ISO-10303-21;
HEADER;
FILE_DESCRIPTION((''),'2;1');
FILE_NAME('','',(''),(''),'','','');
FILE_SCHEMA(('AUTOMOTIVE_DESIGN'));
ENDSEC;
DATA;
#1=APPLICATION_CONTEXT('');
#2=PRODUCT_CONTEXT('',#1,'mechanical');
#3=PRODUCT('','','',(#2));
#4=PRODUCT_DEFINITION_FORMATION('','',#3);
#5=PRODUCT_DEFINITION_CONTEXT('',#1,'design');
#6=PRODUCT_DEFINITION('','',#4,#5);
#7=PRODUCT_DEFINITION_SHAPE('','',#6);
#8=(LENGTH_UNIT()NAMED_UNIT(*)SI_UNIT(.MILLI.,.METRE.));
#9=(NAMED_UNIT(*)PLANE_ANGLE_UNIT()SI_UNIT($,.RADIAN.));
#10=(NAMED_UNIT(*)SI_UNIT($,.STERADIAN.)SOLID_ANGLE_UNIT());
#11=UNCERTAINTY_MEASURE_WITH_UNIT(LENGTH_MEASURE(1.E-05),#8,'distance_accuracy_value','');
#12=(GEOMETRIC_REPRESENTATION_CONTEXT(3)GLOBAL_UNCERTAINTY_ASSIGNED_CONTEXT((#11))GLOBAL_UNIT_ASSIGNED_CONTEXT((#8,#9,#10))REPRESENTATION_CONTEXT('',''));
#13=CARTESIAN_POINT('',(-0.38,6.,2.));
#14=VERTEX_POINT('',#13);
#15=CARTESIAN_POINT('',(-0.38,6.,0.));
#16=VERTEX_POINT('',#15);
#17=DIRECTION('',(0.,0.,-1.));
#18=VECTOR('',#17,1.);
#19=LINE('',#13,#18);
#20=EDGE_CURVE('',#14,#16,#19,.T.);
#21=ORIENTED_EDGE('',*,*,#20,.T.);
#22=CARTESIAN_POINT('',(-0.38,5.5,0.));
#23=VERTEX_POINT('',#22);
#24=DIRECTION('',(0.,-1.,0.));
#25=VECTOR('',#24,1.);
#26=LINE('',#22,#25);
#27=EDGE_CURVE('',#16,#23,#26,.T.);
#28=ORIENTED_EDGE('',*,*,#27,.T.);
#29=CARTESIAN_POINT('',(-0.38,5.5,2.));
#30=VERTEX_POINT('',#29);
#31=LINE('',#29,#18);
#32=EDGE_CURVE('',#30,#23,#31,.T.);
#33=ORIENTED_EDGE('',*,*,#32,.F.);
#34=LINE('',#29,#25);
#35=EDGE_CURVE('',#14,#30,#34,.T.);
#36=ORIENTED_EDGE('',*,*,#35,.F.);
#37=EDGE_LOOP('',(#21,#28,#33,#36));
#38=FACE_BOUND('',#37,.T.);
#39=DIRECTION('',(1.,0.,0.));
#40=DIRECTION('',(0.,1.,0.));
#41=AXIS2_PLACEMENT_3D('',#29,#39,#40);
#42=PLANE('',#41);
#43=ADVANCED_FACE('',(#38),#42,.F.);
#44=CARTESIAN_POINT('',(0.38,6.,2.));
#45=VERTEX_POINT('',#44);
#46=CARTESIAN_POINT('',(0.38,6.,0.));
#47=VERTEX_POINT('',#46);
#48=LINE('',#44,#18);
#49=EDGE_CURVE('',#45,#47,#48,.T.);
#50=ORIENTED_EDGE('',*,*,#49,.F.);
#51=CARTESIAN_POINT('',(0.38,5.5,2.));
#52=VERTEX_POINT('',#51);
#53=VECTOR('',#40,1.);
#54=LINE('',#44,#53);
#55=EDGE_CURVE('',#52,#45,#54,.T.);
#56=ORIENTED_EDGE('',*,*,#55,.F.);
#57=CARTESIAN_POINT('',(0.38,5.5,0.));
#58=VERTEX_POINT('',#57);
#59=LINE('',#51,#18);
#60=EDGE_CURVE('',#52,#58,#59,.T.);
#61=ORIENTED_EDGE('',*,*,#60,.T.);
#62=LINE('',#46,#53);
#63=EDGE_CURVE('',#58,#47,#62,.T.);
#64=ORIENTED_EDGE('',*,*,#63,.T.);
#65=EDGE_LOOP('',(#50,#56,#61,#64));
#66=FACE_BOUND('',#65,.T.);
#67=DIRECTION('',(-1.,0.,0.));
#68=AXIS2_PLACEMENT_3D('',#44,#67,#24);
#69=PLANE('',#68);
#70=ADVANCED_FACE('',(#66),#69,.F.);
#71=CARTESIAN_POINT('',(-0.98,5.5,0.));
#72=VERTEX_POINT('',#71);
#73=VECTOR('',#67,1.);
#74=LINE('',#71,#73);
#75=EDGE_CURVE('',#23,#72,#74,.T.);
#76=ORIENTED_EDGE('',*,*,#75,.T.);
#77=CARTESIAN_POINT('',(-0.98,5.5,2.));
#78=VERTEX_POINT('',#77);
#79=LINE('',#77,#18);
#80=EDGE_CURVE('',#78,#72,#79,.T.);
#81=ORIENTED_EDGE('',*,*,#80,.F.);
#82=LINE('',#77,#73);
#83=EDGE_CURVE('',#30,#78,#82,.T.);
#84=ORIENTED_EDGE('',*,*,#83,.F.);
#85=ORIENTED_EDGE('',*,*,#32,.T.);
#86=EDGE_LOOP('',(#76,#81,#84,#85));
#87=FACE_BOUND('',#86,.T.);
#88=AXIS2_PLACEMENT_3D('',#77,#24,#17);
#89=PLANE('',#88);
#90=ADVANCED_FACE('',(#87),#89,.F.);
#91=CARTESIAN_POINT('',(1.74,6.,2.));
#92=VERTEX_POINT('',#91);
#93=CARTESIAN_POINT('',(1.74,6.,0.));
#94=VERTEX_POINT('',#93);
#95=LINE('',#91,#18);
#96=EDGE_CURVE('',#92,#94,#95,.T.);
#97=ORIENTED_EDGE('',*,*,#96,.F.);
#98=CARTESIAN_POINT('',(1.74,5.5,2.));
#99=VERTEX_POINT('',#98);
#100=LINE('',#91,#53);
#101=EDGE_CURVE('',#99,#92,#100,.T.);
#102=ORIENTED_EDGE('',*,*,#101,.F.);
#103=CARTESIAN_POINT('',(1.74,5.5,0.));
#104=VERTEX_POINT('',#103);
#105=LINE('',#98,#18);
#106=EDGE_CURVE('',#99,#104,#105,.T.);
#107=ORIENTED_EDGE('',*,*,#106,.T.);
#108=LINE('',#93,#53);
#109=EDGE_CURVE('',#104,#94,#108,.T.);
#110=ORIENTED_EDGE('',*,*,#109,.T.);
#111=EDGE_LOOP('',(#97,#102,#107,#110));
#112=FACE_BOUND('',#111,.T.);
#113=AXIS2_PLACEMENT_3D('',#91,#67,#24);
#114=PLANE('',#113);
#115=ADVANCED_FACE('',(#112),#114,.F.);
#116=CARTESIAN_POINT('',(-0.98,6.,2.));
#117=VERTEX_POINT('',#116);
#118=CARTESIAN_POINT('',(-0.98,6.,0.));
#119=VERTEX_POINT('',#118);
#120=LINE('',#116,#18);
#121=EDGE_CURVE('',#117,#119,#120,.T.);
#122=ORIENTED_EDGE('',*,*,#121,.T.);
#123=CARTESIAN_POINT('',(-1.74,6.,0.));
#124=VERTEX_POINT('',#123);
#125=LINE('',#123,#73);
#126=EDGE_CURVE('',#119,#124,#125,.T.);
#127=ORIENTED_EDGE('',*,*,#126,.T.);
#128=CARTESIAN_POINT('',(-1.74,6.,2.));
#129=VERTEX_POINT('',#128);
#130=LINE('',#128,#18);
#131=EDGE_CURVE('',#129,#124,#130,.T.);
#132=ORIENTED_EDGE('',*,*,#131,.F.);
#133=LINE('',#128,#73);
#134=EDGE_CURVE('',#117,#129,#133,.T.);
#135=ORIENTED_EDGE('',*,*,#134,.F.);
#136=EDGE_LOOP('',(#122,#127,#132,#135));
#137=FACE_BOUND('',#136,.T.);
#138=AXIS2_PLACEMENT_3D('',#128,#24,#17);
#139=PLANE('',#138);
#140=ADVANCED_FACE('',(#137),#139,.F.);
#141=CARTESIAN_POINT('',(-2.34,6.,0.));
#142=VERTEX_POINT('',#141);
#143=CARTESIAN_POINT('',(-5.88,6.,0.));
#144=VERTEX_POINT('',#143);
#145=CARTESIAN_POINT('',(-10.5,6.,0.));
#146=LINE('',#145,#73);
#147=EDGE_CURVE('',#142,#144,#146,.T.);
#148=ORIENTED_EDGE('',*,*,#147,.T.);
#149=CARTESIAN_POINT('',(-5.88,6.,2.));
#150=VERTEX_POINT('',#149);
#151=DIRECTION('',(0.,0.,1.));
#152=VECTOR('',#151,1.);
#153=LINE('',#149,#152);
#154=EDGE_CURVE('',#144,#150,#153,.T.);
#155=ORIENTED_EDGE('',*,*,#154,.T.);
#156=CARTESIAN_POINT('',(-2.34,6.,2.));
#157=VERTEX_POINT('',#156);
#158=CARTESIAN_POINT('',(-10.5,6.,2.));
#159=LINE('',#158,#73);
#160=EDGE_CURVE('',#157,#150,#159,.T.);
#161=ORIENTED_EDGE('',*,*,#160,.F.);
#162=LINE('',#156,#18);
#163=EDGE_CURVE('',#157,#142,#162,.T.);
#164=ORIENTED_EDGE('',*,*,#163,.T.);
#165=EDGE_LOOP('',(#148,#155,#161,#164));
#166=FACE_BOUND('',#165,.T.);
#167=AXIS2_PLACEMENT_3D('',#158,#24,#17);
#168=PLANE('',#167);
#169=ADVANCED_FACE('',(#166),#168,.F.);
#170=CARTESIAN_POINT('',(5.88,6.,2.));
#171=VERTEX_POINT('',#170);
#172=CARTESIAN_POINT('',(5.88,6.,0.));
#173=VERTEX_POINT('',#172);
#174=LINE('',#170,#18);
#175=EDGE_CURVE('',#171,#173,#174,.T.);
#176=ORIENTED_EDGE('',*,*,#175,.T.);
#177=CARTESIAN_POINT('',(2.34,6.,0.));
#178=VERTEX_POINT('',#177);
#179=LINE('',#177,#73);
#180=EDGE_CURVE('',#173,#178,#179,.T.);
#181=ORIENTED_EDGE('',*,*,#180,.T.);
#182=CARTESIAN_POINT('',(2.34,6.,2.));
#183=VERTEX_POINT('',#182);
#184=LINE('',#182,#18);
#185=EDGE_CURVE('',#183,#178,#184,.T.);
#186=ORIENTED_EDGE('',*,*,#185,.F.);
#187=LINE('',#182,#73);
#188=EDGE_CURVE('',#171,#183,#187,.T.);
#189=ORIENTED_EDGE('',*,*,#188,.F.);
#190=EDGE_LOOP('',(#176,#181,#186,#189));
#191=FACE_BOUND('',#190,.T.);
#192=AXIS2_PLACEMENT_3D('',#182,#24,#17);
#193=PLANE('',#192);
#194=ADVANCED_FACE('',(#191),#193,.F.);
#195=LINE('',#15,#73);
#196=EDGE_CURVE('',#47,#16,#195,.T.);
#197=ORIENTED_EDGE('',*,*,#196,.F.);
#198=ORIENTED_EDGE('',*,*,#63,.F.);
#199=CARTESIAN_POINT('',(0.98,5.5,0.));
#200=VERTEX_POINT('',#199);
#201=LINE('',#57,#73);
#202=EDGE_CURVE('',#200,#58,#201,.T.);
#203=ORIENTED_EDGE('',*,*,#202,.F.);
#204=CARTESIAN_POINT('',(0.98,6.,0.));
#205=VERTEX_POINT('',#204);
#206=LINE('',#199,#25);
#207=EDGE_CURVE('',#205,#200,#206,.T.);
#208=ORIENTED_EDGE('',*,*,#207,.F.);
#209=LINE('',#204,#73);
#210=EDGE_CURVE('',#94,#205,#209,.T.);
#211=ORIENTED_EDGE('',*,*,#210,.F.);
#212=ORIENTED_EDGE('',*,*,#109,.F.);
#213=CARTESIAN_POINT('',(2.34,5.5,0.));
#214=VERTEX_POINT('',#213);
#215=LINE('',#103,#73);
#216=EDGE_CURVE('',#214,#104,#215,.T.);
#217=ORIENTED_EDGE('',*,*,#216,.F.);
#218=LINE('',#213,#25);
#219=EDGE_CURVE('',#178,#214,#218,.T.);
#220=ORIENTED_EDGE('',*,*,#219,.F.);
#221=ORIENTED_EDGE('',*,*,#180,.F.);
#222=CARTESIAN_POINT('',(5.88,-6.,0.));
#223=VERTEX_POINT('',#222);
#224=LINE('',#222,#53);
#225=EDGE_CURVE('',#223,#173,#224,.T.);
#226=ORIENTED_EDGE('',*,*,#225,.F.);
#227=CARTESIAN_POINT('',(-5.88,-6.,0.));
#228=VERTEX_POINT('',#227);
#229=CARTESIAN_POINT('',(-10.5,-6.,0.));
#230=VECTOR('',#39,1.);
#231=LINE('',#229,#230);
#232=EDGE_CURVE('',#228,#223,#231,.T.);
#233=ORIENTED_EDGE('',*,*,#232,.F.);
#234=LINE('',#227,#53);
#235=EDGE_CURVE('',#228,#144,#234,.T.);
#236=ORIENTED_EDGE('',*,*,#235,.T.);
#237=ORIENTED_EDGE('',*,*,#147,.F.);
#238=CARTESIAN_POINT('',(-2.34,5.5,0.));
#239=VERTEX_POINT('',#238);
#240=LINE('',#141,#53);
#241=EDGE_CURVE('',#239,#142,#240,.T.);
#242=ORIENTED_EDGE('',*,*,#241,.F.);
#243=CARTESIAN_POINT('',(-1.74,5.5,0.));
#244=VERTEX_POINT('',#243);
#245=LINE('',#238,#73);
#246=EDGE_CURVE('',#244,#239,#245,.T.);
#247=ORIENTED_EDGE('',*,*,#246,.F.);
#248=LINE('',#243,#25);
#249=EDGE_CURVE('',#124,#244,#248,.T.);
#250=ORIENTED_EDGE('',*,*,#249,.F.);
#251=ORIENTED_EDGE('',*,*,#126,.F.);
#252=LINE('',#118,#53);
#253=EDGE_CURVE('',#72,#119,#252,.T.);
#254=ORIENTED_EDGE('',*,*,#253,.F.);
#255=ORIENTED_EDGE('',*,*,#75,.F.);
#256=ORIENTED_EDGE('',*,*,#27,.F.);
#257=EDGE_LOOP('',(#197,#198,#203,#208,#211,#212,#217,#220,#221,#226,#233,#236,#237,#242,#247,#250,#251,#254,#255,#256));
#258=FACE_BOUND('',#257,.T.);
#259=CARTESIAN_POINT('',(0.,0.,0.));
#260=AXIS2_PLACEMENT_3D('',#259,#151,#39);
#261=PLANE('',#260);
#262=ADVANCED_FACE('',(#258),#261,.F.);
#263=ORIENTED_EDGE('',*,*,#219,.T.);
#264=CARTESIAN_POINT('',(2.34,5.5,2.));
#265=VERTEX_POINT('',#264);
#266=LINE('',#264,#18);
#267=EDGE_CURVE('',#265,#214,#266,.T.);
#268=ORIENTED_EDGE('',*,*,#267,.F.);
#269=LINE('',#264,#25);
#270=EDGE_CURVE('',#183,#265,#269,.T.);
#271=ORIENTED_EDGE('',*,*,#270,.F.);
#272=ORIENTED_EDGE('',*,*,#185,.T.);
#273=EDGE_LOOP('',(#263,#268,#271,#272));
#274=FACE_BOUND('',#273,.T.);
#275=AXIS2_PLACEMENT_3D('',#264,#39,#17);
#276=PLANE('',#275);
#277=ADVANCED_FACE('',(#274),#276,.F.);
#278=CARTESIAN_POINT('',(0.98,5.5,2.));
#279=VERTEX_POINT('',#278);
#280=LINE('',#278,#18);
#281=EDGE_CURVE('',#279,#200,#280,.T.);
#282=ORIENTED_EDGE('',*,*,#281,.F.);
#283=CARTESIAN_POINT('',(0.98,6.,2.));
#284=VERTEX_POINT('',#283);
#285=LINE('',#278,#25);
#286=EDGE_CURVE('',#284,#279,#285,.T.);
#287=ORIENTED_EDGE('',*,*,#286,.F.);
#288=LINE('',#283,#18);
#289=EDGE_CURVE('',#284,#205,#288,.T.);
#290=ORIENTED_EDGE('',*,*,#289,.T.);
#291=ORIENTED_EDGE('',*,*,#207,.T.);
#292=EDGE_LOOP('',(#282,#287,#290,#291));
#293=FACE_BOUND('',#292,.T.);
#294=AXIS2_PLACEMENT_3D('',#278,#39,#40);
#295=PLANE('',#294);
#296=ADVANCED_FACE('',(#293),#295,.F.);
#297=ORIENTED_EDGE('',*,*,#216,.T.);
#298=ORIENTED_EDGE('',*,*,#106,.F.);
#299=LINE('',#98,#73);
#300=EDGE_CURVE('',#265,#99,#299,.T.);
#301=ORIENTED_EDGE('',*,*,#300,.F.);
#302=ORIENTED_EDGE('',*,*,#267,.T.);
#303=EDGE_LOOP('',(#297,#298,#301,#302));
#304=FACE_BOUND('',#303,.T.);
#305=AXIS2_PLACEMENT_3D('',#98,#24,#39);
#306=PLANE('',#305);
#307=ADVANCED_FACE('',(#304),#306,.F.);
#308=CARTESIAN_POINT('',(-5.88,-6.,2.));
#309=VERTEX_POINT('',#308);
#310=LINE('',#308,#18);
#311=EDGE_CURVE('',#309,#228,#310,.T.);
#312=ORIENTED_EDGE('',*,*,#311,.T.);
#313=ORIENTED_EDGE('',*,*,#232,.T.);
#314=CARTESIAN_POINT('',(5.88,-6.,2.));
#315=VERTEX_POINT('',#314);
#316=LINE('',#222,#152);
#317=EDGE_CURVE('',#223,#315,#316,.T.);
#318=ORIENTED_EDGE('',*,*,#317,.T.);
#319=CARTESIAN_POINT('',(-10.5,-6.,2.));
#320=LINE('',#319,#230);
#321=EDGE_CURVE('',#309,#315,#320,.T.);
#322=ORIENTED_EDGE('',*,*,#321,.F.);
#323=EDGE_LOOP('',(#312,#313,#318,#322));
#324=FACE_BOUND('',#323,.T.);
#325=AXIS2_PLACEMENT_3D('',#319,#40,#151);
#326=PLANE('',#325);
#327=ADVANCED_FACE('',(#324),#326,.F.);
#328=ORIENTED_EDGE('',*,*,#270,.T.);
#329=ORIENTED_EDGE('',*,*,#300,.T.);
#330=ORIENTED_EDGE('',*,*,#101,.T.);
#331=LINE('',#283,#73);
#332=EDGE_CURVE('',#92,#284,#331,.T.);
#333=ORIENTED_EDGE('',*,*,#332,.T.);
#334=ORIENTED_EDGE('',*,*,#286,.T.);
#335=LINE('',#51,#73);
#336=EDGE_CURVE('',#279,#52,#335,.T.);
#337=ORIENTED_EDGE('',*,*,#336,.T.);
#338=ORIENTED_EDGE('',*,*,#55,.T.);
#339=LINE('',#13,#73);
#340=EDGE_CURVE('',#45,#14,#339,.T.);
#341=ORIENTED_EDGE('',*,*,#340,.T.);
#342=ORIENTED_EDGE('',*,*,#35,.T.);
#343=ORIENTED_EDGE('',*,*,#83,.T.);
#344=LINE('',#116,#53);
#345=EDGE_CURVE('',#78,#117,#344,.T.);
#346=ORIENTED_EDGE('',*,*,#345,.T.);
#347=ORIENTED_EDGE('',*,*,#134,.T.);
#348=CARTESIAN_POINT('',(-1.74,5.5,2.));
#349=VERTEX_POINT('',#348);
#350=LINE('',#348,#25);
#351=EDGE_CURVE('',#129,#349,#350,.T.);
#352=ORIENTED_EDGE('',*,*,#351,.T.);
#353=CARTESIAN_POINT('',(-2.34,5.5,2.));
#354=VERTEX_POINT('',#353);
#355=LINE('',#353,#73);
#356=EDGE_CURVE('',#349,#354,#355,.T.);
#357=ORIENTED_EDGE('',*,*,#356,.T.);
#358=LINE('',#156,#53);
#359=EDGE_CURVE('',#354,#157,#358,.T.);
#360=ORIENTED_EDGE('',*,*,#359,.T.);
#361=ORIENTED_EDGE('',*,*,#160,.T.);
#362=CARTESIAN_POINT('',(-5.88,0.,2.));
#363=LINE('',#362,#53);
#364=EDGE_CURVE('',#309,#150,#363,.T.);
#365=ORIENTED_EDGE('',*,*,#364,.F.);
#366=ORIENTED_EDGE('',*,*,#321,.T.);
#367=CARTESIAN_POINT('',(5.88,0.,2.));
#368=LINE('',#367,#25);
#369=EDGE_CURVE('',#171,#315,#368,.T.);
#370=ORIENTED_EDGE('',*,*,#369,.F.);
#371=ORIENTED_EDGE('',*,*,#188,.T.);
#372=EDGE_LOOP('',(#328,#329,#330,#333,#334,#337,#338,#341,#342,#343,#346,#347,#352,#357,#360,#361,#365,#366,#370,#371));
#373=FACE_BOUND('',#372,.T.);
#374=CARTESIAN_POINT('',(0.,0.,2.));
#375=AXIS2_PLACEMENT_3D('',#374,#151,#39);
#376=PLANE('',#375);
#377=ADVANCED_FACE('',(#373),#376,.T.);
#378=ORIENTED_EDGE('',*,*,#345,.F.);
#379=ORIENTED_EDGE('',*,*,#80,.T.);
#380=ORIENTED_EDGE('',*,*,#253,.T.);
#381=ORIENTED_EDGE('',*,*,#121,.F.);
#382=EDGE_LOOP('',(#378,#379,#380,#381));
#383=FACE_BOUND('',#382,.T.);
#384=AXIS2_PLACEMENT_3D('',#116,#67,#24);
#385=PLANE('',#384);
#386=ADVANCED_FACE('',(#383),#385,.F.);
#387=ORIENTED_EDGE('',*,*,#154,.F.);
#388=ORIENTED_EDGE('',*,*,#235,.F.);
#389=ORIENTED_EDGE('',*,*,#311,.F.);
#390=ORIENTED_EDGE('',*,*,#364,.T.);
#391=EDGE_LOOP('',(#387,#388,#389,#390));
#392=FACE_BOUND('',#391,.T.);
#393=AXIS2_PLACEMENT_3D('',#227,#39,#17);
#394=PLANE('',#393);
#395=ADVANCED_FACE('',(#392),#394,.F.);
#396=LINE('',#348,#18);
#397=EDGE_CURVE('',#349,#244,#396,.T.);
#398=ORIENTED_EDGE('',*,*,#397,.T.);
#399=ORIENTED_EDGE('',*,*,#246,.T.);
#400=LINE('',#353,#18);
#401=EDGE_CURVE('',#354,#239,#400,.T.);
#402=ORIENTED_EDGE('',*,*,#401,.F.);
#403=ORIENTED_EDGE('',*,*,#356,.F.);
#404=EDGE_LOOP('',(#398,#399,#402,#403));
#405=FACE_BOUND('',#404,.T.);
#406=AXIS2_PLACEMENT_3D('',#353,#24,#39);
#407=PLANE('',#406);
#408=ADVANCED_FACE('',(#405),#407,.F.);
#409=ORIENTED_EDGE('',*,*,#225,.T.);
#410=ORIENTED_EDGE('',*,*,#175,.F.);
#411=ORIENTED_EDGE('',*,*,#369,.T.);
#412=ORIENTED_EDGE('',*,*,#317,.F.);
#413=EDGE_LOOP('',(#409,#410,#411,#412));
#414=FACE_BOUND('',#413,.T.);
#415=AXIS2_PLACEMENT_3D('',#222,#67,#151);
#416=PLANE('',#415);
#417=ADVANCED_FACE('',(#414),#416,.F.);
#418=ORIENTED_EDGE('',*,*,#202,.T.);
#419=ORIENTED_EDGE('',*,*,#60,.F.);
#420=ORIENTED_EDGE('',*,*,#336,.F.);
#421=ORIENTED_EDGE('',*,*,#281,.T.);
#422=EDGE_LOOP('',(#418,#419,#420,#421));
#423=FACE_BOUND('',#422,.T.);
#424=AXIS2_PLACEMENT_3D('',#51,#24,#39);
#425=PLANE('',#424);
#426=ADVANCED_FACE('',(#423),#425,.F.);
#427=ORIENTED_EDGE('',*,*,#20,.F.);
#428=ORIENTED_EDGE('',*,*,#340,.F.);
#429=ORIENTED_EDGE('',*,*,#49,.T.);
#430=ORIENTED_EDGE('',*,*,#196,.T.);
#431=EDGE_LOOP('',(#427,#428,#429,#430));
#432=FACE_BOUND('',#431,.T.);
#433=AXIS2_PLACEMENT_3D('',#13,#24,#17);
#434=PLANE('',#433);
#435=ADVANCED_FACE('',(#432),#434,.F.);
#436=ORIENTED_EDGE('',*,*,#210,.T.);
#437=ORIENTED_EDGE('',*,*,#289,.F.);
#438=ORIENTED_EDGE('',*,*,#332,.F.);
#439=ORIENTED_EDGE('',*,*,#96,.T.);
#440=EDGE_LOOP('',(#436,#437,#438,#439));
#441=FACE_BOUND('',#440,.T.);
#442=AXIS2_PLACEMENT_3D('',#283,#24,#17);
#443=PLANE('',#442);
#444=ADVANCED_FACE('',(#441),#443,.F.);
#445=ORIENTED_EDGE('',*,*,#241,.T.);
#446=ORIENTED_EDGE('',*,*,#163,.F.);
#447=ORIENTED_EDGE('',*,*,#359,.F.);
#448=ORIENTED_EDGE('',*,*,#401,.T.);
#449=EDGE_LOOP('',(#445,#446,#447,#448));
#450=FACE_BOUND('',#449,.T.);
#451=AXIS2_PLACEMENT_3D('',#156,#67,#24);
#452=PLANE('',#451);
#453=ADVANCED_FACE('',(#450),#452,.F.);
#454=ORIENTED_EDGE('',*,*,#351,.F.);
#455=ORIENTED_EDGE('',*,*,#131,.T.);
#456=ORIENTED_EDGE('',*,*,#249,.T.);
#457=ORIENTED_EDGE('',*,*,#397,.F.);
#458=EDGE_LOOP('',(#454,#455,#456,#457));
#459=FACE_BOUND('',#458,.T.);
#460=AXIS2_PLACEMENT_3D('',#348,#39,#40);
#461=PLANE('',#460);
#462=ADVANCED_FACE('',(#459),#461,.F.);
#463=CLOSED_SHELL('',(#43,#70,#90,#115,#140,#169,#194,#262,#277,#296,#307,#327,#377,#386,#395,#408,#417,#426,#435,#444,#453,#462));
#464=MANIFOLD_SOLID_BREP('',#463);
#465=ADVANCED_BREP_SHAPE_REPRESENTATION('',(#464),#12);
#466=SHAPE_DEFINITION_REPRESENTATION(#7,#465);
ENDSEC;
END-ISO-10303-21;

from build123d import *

# Parameters (mm, degrees)
SKETCH1_R               = 1.5
BOSS_EXTRUDE1_DEPTH     = 2
CUT_EXTRUDE2_DEPTH      = 17.07015868
CUT_EXTRUDE2_DEPTH_BACK = 17.07015868
SKETCH3_W               = 4.62
SKETCH3_H               = 2.672478053
SKETCH3_H_2             = 3.0633703


with BuildPart() as part:
    # Sketch1 → Boss-Extrude1 (new body)
    with BuildSketch(Plane.XY):
        Polygon((-10.5, -6), (10.5, -6), (10.5, 6), (2.34, 6), (2.34, 5.5), (1.74, 5.5), (1.74, 6), (0.98, 6), (0.98, 5.5), (0.38, 5.5), (0.38, 6), (-0.38, 6), (-0.38, 5.5), (-0.98, 5.5), (-0.98, 6), (-1.74, 6), (-1.74, 5.5), (-2.34, 5.5), (-2.34, 6), (-10.5, 6), align=None)
        with Locations((8.5, -2.5)):
            Circle(SKETCH1_R, mode=Mode.SUBTRACT)
        with Locations((-8.5, -2.5)):
            Circle(SKETCH1_R, mode=Mode.SUBTRACT)
    extrude(amount=BOSS_EXTRUDE1_DEPTH)

    # Sketch3 → Cut-Extrude2 (cut, two sides: drawn at the far end of the back side and taken through both)
    with BuildSketch(Plane(origin=(0, 6, 0), x_dir=(1, 0, 0), z_dir=(0, 1, 0)).offset(-CUT_EXTRUDE2_DEPTH_BACK)):
        with Locations((8.19, -1.336239027)):
            Rectangle(SKETCH3_W, SKETCH3_H)
        with Locations((-8.19, -1.53168515)):
            Rectangle(SKETCH3_W, SKETCH3_H_2)
    extrude(amount=CUT_EXTRUDE2_DEPTH + CUT_EXTRUDE2_DEPTH_BACK, mode=Mode.SUBTRACT)


solid = part.part
